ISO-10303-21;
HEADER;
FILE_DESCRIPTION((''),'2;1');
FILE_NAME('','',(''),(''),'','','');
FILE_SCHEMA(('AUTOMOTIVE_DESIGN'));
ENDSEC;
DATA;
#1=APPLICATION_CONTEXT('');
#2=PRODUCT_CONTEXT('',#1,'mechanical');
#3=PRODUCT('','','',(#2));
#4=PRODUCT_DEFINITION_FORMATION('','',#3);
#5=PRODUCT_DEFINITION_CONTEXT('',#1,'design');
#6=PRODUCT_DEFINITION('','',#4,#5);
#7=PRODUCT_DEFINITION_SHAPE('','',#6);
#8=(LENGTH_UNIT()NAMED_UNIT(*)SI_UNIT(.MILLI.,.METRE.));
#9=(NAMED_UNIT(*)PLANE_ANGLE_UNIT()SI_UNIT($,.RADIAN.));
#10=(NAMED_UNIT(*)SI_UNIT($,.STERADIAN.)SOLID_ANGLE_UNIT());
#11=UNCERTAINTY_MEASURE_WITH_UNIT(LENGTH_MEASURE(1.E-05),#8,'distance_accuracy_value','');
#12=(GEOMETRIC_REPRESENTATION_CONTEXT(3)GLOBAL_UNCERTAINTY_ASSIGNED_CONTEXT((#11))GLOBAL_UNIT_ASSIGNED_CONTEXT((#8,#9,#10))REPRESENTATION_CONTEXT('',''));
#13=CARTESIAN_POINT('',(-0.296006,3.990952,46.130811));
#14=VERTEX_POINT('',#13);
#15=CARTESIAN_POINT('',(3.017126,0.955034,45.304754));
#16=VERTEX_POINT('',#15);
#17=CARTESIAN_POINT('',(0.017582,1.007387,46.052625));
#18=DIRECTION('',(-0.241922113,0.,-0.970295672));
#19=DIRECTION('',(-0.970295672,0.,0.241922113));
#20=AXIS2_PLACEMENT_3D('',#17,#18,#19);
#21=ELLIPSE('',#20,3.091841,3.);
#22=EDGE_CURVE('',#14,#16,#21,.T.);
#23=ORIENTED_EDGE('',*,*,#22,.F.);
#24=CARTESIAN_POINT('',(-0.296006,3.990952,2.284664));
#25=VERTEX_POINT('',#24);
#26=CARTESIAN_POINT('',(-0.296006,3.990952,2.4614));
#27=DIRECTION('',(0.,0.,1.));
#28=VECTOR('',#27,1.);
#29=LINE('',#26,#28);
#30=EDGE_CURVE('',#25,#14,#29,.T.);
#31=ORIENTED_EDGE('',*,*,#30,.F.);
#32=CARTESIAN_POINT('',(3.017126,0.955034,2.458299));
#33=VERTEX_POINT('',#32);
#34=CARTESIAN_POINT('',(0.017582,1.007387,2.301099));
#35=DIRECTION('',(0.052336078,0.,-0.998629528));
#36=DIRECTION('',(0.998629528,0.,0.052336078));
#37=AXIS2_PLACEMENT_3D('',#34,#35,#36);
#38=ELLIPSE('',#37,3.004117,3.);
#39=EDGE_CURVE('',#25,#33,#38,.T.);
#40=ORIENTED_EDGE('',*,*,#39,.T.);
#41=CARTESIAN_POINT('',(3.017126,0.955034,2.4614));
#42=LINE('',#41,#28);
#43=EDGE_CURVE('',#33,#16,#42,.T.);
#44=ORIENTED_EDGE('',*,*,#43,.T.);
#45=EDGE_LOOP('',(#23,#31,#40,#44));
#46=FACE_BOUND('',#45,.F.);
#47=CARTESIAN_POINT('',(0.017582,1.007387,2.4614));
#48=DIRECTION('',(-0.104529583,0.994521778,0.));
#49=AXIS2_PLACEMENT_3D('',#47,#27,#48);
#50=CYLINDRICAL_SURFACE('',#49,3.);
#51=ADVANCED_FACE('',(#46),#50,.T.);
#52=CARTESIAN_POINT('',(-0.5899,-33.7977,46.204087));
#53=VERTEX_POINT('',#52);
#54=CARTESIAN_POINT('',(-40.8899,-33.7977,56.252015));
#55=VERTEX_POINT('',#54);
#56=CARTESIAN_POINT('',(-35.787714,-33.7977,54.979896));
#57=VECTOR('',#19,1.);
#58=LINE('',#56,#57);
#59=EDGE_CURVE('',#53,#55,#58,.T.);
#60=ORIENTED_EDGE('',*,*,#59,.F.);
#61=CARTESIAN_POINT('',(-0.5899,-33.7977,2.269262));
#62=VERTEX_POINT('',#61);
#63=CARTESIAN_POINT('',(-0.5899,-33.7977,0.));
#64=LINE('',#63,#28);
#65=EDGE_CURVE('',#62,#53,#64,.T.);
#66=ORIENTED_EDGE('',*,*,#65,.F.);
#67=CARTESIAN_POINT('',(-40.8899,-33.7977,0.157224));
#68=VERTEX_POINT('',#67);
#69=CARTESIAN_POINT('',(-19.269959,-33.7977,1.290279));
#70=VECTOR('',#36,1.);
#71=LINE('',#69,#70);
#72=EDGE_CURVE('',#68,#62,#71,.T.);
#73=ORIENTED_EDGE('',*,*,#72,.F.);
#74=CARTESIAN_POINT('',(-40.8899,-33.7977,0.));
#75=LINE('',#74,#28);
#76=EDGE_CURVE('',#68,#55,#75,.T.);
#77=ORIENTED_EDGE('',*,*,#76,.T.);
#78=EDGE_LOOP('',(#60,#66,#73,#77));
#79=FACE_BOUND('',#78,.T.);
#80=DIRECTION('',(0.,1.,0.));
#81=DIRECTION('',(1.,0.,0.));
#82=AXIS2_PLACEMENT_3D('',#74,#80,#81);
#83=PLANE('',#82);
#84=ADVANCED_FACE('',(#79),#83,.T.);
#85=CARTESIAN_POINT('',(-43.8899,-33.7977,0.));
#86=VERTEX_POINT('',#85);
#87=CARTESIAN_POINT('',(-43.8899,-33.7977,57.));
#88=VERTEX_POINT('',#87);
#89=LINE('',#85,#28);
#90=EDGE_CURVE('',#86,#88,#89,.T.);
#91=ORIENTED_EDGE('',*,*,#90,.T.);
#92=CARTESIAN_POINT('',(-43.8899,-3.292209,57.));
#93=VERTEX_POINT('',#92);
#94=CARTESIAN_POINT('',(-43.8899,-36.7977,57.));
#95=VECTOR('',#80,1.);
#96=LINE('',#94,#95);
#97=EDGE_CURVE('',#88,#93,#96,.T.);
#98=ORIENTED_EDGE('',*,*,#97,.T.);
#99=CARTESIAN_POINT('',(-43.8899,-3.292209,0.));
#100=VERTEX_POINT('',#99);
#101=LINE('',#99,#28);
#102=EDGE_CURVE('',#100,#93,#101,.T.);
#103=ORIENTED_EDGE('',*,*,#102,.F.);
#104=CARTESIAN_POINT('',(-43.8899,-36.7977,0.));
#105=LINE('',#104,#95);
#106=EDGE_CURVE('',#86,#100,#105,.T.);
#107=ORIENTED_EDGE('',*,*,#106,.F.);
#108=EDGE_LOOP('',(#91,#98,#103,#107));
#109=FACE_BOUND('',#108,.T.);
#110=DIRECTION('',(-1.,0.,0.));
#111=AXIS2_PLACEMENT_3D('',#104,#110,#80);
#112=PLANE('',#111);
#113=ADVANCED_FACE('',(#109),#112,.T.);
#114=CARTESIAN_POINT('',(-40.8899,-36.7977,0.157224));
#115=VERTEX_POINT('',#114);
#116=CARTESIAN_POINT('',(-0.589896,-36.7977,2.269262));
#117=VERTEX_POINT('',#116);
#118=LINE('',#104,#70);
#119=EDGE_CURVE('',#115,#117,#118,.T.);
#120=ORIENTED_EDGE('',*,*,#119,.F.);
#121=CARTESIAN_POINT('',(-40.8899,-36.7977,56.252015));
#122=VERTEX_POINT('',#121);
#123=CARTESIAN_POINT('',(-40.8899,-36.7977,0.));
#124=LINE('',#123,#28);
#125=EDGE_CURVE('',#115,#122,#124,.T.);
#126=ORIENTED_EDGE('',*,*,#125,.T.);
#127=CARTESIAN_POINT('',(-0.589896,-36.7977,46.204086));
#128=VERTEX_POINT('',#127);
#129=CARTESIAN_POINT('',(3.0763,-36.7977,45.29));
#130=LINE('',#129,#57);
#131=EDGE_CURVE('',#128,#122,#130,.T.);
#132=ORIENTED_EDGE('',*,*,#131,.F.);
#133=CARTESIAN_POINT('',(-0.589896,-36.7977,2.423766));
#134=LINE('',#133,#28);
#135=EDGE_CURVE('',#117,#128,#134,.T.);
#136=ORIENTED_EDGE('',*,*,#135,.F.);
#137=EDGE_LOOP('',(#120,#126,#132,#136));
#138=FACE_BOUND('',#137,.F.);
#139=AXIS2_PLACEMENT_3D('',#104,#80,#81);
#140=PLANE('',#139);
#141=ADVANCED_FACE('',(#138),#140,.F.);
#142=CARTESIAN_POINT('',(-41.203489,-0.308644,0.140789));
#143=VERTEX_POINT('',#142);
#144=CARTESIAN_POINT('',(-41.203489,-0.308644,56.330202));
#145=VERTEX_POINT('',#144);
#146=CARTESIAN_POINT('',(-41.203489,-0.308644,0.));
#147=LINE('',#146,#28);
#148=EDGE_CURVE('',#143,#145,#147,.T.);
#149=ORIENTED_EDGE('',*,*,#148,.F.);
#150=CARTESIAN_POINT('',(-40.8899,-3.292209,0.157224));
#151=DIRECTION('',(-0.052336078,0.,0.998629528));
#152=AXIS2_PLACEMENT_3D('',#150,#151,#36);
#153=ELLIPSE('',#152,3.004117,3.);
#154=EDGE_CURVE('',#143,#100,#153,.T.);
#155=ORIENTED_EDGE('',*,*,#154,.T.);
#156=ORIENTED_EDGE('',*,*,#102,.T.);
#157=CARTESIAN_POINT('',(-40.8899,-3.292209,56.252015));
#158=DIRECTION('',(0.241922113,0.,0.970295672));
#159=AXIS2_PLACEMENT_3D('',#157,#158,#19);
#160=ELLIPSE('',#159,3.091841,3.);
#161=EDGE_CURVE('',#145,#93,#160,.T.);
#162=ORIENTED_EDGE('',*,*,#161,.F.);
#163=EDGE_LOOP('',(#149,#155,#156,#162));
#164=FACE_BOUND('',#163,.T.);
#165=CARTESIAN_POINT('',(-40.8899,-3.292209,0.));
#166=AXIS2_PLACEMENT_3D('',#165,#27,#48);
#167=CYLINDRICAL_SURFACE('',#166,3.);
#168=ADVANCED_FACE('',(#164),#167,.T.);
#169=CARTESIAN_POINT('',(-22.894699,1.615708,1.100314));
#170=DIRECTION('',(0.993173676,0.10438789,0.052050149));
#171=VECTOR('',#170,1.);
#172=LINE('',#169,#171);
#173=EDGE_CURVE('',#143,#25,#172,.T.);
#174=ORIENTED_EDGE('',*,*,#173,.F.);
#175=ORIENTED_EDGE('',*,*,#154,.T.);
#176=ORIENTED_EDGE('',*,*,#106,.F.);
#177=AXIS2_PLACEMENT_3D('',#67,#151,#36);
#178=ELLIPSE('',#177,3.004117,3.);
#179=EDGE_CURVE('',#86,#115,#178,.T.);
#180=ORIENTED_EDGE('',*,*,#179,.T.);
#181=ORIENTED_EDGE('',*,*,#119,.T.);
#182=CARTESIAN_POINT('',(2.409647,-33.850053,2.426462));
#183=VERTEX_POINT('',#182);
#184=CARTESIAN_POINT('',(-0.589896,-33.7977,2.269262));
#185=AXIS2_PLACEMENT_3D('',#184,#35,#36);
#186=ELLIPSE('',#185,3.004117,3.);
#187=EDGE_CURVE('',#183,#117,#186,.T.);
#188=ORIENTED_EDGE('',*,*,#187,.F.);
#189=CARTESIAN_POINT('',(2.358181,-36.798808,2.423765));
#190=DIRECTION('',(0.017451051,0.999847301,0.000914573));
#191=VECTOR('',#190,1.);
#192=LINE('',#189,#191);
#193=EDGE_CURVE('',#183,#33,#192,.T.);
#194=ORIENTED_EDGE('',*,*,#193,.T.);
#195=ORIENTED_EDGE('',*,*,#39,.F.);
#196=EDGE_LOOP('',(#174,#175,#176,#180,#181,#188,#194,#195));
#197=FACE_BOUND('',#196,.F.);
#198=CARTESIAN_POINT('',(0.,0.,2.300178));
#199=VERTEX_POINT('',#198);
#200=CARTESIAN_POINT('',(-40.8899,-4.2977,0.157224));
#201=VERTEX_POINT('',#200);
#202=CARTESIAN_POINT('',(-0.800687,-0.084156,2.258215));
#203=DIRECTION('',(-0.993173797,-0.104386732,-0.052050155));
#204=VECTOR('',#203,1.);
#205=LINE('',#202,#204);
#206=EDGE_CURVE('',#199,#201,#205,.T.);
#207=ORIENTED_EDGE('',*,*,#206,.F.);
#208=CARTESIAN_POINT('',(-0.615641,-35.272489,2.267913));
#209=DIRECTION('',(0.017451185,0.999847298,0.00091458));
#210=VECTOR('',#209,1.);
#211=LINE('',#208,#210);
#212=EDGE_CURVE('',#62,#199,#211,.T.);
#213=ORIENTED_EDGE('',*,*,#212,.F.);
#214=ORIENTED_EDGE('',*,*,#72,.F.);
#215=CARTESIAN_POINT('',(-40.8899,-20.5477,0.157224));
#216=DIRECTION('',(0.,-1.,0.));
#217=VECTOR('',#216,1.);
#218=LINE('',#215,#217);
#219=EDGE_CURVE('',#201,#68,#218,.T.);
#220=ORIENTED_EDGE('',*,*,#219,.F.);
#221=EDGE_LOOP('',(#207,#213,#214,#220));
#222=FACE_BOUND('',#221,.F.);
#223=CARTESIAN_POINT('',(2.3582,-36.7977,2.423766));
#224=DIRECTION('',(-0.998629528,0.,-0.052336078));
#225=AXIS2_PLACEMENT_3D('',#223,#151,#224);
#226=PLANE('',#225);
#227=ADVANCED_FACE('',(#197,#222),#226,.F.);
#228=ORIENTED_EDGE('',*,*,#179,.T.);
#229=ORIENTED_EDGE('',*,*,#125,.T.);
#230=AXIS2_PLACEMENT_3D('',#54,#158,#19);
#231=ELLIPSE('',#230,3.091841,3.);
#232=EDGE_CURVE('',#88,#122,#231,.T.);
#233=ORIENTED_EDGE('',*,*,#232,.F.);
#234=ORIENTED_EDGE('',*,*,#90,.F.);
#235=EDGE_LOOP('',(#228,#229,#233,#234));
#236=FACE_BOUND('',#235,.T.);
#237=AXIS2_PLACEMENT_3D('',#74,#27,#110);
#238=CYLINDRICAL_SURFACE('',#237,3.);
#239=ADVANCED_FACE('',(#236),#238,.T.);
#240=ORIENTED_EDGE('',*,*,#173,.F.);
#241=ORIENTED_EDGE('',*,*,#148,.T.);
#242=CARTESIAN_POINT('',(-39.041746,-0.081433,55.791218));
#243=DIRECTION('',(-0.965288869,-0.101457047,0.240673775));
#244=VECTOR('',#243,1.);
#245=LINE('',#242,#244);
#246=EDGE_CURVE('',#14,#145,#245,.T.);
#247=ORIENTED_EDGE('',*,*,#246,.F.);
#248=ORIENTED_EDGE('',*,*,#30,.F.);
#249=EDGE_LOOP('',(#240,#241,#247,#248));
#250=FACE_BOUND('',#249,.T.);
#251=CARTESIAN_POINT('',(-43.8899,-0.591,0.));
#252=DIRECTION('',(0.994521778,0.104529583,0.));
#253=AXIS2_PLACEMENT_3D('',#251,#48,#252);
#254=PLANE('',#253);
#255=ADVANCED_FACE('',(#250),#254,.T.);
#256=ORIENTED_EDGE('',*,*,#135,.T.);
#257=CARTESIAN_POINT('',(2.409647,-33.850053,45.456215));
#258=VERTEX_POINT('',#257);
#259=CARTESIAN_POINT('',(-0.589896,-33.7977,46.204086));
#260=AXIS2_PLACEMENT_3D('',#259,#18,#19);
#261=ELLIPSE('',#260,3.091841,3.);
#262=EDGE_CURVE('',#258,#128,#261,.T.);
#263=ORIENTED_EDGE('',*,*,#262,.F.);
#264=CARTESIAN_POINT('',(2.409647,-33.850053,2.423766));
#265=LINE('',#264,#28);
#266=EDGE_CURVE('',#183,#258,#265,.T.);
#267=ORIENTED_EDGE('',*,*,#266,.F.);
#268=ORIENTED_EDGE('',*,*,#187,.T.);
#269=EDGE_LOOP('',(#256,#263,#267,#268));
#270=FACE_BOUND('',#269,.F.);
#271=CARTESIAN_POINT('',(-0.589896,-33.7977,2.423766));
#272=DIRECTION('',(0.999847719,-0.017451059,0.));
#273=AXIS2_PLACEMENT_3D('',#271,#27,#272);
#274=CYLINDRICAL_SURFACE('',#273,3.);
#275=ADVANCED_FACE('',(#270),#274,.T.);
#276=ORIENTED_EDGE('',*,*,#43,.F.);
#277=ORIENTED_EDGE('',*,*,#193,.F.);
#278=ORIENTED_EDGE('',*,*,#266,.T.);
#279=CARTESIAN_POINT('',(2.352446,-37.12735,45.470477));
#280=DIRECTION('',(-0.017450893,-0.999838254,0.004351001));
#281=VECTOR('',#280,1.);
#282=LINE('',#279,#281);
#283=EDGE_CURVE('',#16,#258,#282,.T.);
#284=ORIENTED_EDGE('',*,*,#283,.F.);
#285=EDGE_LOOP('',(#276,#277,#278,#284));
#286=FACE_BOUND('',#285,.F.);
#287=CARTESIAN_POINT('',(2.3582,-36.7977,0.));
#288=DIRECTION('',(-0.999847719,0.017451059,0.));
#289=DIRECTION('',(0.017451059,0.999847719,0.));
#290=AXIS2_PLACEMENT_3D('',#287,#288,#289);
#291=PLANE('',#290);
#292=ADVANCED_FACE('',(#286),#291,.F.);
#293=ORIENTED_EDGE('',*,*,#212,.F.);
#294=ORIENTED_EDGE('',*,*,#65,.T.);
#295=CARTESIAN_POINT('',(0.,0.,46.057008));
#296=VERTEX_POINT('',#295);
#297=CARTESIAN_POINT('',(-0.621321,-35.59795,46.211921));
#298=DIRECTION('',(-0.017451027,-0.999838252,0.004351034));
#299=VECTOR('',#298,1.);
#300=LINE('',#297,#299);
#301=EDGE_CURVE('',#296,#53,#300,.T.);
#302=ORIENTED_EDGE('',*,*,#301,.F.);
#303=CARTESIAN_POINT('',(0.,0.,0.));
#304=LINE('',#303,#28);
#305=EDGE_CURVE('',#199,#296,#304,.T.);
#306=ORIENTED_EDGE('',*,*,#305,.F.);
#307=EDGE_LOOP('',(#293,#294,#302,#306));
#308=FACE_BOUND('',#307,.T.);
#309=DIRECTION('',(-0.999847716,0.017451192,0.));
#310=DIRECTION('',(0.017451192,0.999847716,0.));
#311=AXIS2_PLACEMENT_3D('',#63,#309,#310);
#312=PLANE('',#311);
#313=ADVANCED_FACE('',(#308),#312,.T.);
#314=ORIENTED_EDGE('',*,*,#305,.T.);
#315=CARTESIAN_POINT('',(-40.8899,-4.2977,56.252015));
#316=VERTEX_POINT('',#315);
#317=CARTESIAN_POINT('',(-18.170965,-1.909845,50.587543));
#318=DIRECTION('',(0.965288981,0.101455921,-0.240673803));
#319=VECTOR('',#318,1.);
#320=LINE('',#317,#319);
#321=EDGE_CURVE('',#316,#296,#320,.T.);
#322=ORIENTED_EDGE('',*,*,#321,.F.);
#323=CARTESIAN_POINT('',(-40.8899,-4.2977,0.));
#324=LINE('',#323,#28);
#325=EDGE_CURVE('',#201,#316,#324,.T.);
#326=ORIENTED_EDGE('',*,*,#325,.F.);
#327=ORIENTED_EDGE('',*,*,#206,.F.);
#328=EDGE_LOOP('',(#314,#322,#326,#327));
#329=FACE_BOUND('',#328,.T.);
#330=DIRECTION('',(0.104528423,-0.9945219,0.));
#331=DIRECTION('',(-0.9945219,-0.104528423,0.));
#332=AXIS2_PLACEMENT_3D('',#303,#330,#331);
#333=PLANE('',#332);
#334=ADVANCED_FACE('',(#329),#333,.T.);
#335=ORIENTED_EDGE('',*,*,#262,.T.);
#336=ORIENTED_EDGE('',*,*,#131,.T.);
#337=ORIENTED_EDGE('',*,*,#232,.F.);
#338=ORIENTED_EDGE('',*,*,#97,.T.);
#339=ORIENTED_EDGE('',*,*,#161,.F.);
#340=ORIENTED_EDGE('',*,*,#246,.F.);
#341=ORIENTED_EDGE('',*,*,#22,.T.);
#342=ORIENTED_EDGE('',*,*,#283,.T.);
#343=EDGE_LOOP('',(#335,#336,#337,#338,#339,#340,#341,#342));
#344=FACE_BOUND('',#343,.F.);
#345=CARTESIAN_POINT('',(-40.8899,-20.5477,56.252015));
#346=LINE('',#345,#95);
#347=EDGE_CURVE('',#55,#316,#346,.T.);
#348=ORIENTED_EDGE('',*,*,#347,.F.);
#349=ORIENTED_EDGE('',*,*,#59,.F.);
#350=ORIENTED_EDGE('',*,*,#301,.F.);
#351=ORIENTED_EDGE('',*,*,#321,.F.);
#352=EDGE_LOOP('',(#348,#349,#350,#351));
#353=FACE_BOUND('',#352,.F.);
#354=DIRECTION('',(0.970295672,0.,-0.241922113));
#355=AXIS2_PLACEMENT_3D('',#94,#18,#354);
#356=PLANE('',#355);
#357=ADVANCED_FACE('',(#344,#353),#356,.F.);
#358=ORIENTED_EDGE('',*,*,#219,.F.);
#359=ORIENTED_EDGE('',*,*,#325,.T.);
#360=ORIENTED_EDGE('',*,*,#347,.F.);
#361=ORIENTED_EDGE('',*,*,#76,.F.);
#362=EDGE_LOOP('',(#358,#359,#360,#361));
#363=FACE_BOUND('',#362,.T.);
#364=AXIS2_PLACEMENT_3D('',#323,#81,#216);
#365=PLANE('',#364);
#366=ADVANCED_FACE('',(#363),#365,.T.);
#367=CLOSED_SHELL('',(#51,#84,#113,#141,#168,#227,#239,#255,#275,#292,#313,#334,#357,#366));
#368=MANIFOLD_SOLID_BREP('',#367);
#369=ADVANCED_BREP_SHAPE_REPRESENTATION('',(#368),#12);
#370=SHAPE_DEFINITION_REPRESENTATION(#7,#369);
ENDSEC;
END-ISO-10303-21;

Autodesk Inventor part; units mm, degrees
ref_plane "YZ Plane" through (0, 0, 0) normal (1, 0, 0) x (0, 1, 0)
ref_plane "XZ Plane" through (0, 0, 0) normal (0, 1, 0) x (-1, 0, 0)
ref_plane "XY Plane" through (0, 0, 0) normal (0, 0, 1) x (1, 0, 0)
sketch "Skizze1" plane through (0, 0, 0) normal (0, 0, 1) x (1, 0, 0)
  line L0 (0, 0) -> (-40.8899, -4.2977)
  line L1 (-40.8899, -4.2977) -> (-40.8899, -33.7977)
  line L2 (-40.8899, -33.7977) -> (-0.5899, -33.7977)
  line L3 (-0.5899, -33.7977) -> (0, 0)
  line L4 (-43.8899, -0.591) -> (3.0763, 4.3454)
  line L5 (-43.8899, -36.7977) -> (-43.8899, -0.591)
  line L6 (-43.8899, -36.7977) -> (2.3582, -36.7977)
  line L7 (2.3582, -36.7977) -> (3.0763, 4.3454)
  dimension "d1" = 29.5
  dimension "d2" = 40.3
  dimension "d6" = 90
  dimension "d9" = 91
  dimension "d12" = 96
  dimension "d13" = 41.1152
  dimension "d14" = 33.8028
  dimension "d22" = 4
  dimension "d23" = 3
  dimension "d24" = 3
  dimension "d25" = 3
extrude "Extrusion1" add sketch "Skizze1" along normal blind 57
sketch "Skizze3" plane through (-43.8899, -36.7977, 0) normal (0, -1, 0) x (1, 0, 0)
  line L0 (0, 0) -> (46.2481, 0) construction
  line L1 (46.2481, 0) -> (46.2481, 57) construction
  line L2 (0, 57) -> (46.2481, 57) construction
  line L3 (0, 0) -> (0, 57) projected
  line L4 (0, 0) -> (46.2481, 0)
  line L5 (0, 57) -> (46.2481, 57) projected
  line L6 (0, 57) -> (46.9662, 45.29)
  line L7 (46.2481, 0) -> (46.2481, 57) projected
  line L8 (46.2481, 0) -> (46.9662, 0) projected
  line L9 (46.2481, 0) -> (46.9662, 0)
  line L10 (46.9662, 0) -> (46.9662, 2.4614)
  line L11 (46.9662, 2.4614) -> (0, 0)
  line L12 (46.9662, 0) -> (46.9662, 57) projected
  line L13 (46.9662, 45.29) -> (46.9662, 57)
  line L14 (46.9662, 57) -> (46.9662, 57)
  line L15 (0, 57) -> (46.9662, 57)
  point P0 (43.8899, 0)
  dimension "d27" = 76
  dimension "d30" = 87
extrude "Extrusion3" cut sketch "Skizze3" against normal blind 57 contours L11 L7 L4 | L5 L7 L6 | L7 L11 L10 L8 | L15 L12 L6 L7
fillet "Rundung1" radius 3 4 edges at (-43.8899, -36.7977, 28.5) (-43.8899, -0.591, 28.5) (2.3582, -36.7977, 23.9464) (3.0763, 4.3454, 23.8757)
equation "\"d24\" = d23"
equation "\"d25\" = d24"
properties part number "handle_top_final"
